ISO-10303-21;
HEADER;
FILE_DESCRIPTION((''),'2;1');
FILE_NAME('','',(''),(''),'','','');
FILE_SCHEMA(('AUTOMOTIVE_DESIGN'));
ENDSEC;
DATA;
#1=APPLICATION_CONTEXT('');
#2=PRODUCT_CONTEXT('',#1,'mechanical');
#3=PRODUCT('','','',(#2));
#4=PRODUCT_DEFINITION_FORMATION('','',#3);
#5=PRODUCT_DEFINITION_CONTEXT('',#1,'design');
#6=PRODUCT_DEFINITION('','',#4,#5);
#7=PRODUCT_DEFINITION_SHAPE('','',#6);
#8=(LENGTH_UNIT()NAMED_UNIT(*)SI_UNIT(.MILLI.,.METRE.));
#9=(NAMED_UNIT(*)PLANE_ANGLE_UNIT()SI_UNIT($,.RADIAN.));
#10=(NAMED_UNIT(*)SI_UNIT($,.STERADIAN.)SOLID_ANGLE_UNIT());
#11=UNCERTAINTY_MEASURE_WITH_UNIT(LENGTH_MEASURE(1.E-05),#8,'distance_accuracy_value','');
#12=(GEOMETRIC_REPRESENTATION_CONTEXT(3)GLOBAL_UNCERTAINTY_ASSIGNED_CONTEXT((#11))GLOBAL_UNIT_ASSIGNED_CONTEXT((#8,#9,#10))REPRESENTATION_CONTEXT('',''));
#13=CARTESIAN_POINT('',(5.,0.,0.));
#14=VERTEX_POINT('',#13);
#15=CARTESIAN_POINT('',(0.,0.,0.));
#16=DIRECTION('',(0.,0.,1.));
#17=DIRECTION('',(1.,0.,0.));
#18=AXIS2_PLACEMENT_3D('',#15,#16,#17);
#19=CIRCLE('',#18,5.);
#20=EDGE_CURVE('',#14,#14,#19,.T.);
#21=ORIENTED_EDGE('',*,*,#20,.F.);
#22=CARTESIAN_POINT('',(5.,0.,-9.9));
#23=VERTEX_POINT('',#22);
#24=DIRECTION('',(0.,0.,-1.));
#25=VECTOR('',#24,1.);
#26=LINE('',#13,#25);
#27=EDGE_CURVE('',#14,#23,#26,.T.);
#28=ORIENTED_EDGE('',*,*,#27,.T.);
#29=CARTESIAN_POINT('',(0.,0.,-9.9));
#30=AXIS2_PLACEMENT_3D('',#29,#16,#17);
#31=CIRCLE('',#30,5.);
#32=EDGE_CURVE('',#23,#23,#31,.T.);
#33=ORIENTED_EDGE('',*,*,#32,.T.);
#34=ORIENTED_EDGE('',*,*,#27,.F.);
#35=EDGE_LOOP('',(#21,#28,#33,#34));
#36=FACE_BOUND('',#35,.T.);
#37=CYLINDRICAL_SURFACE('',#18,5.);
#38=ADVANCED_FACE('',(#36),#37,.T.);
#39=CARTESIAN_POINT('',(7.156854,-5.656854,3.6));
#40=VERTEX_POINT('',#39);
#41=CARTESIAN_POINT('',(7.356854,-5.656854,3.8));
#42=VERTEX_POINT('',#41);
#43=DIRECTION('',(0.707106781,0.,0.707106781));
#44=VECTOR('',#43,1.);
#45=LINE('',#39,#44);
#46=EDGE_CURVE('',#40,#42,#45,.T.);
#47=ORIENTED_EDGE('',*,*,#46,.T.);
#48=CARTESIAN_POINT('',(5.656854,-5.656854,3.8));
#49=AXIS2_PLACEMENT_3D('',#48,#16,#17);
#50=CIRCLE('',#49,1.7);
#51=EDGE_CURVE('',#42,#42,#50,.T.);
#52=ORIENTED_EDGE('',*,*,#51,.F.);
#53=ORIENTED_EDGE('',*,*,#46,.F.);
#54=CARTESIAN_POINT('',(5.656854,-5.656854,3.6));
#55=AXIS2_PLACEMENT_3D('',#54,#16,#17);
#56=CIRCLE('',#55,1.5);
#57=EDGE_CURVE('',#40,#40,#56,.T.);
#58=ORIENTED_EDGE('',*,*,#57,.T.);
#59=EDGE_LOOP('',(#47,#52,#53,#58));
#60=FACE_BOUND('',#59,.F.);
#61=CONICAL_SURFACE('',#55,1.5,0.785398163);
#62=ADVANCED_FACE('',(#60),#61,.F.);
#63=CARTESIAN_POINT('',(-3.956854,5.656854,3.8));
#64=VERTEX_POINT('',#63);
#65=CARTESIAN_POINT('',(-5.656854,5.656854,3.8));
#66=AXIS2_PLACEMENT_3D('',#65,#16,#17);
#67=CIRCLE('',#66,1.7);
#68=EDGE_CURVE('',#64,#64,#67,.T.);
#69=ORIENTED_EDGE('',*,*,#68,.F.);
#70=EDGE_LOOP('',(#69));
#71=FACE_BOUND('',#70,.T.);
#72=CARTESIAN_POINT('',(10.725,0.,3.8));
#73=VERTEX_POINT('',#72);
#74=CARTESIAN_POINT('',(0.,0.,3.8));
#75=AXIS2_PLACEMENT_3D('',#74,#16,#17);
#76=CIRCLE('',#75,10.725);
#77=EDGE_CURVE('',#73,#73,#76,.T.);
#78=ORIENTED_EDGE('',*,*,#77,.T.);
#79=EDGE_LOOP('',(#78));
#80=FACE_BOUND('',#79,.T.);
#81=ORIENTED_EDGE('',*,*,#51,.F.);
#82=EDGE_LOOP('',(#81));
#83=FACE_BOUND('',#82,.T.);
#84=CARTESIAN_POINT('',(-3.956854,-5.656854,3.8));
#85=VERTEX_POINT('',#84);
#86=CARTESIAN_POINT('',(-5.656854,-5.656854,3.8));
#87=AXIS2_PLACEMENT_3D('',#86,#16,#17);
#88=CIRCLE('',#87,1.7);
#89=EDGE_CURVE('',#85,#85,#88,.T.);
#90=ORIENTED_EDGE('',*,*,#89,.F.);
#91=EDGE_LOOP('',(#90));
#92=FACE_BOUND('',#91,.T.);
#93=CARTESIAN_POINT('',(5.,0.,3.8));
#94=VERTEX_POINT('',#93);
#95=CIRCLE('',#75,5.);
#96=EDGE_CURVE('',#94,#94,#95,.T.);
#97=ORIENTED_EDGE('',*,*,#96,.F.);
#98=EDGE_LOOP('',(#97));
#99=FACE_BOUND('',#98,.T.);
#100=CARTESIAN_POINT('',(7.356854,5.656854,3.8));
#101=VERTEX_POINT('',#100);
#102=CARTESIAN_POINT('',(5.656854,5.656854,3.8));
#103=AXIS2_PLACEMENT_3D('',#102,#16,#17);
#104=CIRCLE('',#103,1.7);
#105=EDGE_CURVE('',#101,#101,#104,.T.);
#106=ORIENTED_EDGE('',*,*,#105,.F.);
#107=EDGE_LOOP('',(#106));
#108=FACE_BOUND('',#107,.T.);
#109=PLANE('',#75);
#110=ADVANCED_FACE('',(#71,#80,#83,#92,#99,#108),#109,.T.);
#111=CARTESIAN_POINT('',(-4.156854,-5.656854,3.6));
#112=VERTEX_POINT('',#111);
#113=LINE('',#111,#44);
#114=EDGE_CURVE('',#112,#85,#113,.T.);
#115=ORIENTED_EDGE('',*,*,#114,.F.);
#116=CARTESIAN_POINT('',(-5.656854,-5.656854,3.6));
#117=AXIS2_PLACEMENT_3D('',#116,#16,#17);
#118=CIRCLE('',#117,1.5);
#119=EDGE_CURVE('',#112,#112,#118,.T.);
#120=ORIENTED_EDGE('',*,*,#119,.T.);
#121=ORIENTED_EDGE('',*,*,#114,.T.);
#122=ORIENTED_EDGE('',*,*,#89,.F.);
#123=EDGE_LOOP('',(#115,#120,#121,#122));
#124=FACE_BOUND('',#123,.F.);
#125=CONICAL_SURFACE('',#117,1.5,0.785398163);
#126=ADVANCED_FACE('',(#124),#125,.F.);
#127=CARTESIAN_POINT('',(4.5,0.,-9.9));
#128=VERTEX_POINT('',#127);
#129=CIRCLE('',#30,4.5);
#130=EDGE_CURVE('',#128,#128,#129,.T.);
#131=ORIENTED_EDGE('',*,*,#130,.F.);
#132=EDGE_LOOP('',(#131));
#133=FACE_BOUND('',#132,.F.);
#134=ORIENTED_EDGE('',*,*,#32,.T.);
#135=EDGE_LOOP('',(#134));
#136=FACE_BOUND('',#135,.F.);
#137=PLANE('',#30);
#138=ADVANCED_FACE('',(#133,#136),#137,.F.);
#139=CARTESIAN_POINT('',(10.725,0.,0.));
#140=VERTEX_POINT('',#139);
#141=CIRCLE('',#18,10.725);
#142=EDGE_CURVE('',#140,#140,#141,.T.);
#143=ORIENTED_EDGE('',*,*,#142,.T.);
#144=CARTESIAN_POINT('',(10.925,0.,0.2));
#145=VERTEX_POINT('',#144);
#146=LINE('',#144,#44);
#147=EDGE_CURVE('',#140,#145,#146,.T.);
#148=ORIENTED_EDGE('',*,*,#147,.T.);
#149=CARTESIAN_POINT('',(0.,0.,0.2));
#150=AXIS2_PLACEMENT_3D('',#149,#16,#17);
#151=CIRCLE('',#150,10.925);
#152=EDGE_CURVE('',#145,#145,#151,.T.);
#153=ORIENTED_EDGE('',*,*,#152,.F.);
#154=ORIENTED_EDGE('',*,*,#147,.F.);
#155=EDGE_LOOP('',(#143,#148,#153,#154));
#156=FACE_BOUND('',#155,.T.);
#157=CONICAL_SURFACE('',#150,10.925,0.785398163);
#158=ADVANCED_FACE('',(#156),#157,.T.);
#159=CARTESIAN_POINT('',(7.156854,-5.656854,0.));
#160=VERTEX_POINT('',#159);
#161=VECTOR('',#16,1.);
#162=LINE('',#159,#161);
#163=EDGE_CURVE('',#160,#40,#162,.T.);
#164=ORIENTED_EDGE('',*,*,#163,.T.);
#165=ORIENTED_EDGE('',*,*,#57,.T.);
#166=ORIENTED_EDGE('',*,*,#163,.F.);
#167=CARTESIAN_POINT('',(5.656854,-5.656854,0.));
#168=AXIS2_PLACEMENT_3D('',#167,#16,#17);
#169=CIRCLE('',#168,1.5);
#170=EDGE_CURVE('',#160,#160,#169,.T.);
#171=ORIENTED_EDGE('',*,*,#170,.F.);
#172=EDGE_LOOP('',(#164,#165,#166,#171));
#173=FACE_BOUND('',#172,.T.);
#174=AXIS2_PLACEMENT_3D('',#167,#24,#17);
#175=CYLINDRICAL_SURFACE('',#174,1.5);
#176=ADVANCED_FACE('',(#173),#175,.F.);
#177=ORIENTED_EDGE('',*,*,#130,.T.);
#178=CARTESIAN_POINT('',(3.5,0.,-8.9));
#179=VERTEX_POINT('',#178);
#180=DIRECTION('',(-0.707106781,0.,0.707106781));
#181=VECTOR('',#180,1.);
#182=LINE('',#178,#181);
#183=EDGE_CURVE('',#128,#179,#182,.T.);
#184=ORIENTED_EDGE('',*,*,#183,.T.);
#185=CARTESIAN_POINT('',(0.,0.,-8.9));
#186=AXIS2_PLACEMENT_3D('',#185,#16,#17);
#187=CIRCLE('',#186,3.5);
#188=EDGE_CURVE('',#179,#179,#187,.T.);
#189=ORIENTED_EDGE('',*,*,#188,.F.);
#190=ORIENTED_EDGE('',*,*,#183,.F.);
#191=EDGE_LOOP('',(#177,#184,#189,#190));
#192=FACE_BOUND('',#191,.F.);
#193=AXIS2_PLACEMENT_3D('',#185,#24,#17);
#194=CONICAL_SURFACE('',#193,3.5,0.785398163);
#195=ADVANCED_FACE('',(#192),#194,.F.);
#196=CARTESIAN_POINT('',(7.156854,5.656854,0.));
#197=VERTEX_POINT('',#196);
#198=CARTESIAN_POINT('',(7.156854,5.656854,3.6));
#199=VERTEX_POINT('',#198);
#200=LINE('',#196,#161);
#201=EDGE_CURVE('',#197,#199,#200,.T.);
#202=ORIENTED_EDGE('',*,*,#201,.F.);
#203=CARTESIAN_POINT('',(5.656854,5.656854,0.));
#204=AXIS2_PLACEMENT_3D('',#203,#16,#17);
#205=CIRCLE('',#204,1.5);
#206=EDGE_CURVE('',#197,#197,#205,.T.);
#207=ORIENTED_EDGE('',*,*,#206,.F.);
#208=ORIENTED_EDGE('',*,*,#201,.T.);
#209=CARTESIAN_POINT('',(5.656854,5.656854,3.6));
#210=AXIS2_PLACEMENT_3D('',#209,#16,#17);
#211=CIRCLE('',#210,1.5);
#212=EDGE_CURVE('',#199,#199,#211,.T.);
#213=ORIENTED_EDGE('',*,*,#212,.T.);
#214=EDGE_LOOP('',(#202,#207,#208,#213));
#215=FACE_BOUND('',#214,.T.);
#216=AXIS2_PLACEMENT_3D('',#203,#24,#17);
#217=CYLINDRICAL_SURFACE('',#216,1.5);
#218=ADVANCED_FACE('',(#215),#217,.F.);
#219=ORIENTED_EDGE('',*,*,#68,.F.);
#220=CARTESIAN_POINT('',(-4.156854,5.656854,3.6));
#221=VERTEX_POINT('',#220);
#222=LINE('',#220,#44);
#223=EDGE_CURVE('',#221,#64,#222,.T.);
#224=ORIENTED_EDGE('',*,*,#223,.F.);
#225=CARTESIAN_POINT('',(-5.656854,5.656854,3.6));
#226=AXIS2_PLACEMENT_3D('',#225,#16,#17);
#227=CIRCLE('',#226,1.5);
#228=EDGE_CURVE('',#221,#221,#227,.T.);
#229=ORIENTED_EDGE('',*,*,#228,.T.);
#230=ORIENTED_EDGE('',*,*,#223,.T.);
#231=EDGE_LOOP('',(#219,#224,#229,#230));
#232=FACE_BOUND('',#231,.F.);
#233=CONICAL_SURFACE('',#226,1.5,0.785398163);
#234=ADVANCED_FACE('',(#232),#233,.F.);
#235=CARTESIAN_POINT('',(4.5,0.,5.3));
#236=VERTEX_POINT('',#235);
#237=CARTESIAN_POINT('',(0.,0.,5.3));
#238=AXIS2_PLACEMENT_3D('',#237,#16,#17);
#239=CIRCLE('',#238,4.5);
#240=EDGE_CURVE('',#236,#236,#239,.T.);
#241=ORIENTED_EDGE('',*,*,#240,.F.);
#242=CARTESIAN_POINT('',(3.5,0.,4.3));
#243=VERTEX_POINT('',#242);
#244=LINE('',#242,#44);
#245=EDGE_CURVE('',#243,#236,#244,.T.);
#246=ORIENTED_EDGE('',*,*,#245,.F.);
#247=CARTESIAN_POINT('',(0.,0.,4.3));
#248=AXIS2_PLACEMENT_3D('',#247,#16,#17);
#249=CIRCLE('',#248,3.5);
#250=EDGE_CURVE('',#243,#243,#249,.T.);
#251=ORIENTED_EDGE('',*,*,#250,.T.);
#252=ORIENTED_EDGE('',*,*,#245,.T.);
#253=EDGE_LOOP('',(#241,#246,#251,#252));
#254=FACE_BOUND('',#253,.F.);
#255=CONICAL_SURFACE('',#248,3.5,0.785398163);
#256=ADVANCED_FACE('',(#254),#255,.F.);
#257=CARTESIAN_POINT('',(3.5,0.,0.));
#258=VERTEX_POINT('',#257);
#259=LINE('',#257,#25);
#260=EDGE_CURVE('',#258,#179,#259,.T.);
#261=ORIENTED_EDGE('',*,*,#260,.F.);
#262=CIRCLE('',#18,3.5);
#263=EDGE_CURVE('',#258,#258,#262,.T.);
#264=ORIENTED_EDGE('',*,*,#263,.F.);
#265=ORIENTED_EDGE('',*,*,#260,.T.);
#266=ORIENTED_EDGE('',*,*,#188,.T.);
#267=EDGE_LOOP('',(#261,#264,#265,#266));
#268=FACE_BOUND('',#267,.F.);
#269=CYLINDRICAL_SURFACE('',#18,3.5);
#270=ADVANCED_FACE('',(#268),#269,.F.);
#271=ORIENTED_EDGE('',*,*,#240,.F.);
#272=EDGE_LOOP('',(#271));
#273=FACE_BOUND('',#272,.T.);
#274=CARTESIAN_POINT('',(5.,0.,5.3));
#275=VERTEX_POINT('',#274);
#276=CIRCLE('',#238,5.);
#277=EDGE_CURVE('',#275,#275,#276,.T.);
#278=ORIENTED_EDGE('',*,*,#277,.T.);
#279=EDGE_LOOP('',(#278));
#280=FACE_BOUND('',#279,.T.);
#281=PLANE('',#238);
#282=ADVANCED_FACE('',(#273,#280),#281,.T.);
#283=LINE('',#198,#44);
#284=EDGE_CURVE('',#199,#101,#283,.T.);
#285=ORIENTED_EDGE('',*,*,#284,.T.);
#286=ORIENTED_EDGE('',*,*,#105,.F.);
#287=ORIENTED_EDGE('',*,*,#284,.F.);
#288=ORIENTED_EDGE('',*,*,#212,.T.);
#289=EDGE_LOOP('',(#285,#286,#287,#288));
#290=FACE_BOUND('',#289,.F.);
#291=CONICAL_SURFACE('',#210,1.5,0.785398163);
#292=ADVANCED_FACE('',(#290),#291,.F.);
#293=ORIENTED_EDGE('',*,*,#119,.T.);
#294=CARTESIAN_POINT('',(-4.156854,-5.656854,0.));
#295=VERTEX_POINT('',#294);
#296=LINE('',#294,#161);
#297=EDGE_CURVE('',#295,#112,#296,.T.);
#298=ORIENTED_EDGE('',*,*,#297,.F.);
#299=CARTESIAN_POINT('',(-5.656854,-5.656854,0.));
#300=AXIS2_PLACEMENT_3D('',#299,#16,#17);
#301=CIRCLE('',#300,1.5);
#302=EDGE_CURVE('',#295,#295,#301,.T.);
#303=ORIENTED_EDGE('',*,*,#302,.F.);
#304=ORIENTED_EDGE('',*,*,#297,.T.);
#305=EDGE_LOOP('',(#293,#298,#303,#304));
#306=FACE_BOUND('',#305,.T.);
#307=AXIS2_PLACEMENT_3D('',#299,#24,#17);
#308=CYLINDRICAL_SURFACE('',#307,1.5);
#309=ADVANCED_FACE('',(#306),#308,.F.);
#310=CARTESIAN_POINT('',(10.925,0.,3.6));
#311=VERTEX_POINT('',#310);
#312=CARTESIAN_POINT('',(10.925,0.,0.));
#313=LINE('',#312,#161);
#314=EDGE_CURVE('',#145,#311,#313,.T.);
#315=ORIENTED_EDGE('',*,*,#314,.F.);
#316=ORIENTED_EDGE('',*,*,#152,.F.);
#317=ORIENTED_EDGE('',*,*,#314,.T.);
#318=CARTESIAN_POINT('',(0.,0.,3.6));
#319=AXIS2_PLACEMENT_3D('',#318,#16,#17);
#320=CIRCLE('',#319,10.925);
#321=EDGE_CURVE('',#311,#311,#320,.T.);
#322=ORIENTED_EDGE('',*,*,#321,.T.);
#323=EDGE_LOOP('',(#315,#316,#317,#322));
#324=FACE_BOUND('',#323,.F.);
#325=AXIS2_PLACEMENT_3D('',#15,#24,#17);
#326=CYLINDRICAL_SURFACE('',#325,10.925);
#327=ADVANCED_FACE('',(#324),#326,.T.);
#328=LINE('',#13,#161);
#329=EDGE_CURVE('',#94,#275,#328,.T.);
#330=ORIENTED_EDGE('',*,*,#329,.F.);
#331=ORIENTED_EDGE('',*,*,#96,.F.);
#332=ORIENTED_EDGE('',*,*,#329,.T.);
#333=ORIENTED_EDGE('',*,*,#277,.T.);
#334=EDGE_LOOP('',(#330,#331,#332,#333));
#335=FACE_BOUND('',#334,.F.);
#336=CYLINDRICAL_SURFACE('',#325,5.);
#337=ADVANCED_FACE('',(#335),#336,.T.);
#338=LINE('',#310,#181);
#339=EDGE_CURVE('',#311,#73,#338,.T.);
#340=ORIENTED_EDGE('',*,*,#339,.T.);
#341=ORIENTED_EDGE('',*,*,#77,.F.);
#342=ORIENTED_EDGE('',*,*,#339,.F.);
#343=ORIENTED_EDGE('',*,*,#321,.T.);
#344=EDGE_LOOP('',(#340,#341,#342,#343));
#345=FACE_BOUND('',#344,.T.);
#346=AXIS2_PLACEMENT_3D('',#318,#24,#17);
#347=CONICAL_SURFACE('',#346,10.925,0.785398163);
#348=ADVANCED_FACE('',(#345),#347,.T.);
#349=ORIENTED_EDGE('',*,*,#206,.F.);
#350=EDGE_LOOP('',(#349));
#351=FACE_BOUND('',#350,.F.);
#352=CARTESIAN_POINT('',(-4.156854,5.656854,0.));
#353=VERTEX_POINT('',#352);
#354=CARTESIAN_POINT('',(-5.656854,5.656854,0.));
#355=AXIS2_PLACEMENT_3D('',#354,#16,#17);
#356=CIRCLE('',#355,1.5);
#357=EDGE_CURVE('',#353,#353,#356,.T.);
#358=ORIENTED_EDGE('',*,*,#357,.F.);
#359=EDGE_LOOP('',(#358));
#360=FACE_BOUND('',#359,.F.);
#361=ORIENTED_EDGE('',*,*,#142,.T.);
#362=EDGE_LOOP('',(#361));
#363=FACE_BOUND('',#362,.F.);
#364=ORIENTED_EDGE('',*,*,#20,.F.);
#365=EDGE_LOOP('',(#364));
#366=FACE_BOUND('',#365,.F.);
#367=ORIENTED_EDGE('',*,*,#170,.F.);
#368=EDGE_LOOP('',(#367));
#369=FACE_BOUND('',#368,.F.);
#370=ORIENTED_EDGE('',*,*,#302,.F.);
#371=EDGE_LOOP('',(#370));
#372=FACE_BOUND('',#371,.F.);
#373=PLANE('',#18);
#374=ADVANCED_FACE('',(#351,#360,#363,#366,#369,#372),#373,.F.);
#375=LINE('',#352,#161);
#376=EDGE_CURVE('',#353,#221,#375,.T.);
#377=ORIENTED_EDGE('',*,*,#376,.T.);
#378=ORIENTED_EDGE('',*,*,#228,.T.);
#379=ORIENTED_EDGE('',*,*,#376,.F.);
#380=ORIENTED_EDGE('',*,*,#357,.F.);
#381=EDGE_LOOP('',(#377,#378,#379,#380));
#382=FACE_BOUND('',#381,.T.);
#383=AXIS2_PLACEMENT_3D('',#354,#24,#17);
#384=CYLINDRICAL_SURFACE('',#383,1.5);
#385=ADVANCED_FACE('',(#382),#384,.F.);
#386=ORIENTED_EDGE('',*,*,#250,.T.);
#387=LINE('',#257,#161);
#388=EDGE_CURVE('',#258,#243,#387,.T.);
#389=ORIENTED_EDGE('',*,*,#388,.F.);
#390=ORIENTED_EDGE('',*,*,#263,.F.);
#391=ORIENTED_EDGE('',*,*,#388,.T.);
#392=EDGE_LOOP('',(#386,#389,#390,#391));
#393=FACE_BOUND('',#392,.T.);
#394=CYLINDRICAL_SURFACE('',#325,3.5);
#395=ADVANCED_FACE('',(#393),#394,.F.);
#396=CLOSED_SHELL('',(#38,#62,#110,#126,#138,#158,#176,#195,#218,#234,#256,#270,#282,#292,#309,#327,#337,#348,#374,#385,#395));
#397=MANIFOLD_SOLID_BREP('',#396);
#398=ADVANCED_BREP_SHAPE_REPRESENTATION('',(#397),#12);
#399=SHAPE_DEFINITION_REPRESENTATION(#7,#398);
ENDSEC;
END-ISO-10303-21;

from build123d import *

# Parameters (mm, degrees)
F0_R     = 10.925
F0_R_2   = 1.5
F0_R_3   = 5
F1_DEPTH = 3.8
F0_R_4   = 3.5
F2_DEPTH = 5.3
F3_DEPTH = 9.9
F4_SIZE  = 1
F5_SIZE  = 0.2


with BuildPart() as f1:
    # F0 (on Top) → F1 (new body)
    with BuildSketch(Plane.XY):
        Circle(F0_R)
        with Locations((-5.656854, -5.656854)):
            Circle(F0_R_2, mode=Mode.SUBTRACT)
        with Locations((5.656854, -5.656854)):
            Circle(F0_R_2, mode=Mode.SUBTRACT)
        with Locations((-5.656854, 5.656854)):
            Circle(F0_R_2, mode=Mode.SUBTRACT)
        Circle(F0_R_3, mode=Mode.SUBTRACT)
        with Locations((5.656854, 5.656854)):
            Circle(F0_R_2, mode=Mode.SUBTRACT)
    extrude(amount=F1_DEPTH)

    # F0 (on Top) → F2 (join)
    with BuildSketch(Plane.XY):
        Circle(F0_R_3)
        Circle(F0_R_4, mode=Mode.SUBTRACT)
    extrude(amount=F2_DEPTH)

    # F0 (on Top) → F3 (join)
    with BuildSketch(Plane.XY):
        Circle(F0_R_3)
        Circle(F0_R_4, mode=Mode.SUBTRACT)
    extrude(amount=-F3_DEPTH)

    # F4
    f4_edges = [f1.edges().sort_by_distance(p)[0] for p in [
        (-3.5, 0, 5.3),
        (-3.5, 0, -9.9),
    ]]
    chamfer(f4_edges, length=F4_SIZE)

    # F5
    f5_edges = [f1.edges().sort_by_distance(p)[0] for p in [
        (-7.156854, 5.656854, 3.8),
        (-7.156854, -5.656854, 3.8),
        (4.156854, -5.656854, 3.8),
        (4.156854, 5.656854, 3.8),
        (-10.925, 0, 3.8),
        (-10.925, 0, 0),
    ]]
    chamfer(f5_edges, length=F5_SIZE)


solid = f1.part
